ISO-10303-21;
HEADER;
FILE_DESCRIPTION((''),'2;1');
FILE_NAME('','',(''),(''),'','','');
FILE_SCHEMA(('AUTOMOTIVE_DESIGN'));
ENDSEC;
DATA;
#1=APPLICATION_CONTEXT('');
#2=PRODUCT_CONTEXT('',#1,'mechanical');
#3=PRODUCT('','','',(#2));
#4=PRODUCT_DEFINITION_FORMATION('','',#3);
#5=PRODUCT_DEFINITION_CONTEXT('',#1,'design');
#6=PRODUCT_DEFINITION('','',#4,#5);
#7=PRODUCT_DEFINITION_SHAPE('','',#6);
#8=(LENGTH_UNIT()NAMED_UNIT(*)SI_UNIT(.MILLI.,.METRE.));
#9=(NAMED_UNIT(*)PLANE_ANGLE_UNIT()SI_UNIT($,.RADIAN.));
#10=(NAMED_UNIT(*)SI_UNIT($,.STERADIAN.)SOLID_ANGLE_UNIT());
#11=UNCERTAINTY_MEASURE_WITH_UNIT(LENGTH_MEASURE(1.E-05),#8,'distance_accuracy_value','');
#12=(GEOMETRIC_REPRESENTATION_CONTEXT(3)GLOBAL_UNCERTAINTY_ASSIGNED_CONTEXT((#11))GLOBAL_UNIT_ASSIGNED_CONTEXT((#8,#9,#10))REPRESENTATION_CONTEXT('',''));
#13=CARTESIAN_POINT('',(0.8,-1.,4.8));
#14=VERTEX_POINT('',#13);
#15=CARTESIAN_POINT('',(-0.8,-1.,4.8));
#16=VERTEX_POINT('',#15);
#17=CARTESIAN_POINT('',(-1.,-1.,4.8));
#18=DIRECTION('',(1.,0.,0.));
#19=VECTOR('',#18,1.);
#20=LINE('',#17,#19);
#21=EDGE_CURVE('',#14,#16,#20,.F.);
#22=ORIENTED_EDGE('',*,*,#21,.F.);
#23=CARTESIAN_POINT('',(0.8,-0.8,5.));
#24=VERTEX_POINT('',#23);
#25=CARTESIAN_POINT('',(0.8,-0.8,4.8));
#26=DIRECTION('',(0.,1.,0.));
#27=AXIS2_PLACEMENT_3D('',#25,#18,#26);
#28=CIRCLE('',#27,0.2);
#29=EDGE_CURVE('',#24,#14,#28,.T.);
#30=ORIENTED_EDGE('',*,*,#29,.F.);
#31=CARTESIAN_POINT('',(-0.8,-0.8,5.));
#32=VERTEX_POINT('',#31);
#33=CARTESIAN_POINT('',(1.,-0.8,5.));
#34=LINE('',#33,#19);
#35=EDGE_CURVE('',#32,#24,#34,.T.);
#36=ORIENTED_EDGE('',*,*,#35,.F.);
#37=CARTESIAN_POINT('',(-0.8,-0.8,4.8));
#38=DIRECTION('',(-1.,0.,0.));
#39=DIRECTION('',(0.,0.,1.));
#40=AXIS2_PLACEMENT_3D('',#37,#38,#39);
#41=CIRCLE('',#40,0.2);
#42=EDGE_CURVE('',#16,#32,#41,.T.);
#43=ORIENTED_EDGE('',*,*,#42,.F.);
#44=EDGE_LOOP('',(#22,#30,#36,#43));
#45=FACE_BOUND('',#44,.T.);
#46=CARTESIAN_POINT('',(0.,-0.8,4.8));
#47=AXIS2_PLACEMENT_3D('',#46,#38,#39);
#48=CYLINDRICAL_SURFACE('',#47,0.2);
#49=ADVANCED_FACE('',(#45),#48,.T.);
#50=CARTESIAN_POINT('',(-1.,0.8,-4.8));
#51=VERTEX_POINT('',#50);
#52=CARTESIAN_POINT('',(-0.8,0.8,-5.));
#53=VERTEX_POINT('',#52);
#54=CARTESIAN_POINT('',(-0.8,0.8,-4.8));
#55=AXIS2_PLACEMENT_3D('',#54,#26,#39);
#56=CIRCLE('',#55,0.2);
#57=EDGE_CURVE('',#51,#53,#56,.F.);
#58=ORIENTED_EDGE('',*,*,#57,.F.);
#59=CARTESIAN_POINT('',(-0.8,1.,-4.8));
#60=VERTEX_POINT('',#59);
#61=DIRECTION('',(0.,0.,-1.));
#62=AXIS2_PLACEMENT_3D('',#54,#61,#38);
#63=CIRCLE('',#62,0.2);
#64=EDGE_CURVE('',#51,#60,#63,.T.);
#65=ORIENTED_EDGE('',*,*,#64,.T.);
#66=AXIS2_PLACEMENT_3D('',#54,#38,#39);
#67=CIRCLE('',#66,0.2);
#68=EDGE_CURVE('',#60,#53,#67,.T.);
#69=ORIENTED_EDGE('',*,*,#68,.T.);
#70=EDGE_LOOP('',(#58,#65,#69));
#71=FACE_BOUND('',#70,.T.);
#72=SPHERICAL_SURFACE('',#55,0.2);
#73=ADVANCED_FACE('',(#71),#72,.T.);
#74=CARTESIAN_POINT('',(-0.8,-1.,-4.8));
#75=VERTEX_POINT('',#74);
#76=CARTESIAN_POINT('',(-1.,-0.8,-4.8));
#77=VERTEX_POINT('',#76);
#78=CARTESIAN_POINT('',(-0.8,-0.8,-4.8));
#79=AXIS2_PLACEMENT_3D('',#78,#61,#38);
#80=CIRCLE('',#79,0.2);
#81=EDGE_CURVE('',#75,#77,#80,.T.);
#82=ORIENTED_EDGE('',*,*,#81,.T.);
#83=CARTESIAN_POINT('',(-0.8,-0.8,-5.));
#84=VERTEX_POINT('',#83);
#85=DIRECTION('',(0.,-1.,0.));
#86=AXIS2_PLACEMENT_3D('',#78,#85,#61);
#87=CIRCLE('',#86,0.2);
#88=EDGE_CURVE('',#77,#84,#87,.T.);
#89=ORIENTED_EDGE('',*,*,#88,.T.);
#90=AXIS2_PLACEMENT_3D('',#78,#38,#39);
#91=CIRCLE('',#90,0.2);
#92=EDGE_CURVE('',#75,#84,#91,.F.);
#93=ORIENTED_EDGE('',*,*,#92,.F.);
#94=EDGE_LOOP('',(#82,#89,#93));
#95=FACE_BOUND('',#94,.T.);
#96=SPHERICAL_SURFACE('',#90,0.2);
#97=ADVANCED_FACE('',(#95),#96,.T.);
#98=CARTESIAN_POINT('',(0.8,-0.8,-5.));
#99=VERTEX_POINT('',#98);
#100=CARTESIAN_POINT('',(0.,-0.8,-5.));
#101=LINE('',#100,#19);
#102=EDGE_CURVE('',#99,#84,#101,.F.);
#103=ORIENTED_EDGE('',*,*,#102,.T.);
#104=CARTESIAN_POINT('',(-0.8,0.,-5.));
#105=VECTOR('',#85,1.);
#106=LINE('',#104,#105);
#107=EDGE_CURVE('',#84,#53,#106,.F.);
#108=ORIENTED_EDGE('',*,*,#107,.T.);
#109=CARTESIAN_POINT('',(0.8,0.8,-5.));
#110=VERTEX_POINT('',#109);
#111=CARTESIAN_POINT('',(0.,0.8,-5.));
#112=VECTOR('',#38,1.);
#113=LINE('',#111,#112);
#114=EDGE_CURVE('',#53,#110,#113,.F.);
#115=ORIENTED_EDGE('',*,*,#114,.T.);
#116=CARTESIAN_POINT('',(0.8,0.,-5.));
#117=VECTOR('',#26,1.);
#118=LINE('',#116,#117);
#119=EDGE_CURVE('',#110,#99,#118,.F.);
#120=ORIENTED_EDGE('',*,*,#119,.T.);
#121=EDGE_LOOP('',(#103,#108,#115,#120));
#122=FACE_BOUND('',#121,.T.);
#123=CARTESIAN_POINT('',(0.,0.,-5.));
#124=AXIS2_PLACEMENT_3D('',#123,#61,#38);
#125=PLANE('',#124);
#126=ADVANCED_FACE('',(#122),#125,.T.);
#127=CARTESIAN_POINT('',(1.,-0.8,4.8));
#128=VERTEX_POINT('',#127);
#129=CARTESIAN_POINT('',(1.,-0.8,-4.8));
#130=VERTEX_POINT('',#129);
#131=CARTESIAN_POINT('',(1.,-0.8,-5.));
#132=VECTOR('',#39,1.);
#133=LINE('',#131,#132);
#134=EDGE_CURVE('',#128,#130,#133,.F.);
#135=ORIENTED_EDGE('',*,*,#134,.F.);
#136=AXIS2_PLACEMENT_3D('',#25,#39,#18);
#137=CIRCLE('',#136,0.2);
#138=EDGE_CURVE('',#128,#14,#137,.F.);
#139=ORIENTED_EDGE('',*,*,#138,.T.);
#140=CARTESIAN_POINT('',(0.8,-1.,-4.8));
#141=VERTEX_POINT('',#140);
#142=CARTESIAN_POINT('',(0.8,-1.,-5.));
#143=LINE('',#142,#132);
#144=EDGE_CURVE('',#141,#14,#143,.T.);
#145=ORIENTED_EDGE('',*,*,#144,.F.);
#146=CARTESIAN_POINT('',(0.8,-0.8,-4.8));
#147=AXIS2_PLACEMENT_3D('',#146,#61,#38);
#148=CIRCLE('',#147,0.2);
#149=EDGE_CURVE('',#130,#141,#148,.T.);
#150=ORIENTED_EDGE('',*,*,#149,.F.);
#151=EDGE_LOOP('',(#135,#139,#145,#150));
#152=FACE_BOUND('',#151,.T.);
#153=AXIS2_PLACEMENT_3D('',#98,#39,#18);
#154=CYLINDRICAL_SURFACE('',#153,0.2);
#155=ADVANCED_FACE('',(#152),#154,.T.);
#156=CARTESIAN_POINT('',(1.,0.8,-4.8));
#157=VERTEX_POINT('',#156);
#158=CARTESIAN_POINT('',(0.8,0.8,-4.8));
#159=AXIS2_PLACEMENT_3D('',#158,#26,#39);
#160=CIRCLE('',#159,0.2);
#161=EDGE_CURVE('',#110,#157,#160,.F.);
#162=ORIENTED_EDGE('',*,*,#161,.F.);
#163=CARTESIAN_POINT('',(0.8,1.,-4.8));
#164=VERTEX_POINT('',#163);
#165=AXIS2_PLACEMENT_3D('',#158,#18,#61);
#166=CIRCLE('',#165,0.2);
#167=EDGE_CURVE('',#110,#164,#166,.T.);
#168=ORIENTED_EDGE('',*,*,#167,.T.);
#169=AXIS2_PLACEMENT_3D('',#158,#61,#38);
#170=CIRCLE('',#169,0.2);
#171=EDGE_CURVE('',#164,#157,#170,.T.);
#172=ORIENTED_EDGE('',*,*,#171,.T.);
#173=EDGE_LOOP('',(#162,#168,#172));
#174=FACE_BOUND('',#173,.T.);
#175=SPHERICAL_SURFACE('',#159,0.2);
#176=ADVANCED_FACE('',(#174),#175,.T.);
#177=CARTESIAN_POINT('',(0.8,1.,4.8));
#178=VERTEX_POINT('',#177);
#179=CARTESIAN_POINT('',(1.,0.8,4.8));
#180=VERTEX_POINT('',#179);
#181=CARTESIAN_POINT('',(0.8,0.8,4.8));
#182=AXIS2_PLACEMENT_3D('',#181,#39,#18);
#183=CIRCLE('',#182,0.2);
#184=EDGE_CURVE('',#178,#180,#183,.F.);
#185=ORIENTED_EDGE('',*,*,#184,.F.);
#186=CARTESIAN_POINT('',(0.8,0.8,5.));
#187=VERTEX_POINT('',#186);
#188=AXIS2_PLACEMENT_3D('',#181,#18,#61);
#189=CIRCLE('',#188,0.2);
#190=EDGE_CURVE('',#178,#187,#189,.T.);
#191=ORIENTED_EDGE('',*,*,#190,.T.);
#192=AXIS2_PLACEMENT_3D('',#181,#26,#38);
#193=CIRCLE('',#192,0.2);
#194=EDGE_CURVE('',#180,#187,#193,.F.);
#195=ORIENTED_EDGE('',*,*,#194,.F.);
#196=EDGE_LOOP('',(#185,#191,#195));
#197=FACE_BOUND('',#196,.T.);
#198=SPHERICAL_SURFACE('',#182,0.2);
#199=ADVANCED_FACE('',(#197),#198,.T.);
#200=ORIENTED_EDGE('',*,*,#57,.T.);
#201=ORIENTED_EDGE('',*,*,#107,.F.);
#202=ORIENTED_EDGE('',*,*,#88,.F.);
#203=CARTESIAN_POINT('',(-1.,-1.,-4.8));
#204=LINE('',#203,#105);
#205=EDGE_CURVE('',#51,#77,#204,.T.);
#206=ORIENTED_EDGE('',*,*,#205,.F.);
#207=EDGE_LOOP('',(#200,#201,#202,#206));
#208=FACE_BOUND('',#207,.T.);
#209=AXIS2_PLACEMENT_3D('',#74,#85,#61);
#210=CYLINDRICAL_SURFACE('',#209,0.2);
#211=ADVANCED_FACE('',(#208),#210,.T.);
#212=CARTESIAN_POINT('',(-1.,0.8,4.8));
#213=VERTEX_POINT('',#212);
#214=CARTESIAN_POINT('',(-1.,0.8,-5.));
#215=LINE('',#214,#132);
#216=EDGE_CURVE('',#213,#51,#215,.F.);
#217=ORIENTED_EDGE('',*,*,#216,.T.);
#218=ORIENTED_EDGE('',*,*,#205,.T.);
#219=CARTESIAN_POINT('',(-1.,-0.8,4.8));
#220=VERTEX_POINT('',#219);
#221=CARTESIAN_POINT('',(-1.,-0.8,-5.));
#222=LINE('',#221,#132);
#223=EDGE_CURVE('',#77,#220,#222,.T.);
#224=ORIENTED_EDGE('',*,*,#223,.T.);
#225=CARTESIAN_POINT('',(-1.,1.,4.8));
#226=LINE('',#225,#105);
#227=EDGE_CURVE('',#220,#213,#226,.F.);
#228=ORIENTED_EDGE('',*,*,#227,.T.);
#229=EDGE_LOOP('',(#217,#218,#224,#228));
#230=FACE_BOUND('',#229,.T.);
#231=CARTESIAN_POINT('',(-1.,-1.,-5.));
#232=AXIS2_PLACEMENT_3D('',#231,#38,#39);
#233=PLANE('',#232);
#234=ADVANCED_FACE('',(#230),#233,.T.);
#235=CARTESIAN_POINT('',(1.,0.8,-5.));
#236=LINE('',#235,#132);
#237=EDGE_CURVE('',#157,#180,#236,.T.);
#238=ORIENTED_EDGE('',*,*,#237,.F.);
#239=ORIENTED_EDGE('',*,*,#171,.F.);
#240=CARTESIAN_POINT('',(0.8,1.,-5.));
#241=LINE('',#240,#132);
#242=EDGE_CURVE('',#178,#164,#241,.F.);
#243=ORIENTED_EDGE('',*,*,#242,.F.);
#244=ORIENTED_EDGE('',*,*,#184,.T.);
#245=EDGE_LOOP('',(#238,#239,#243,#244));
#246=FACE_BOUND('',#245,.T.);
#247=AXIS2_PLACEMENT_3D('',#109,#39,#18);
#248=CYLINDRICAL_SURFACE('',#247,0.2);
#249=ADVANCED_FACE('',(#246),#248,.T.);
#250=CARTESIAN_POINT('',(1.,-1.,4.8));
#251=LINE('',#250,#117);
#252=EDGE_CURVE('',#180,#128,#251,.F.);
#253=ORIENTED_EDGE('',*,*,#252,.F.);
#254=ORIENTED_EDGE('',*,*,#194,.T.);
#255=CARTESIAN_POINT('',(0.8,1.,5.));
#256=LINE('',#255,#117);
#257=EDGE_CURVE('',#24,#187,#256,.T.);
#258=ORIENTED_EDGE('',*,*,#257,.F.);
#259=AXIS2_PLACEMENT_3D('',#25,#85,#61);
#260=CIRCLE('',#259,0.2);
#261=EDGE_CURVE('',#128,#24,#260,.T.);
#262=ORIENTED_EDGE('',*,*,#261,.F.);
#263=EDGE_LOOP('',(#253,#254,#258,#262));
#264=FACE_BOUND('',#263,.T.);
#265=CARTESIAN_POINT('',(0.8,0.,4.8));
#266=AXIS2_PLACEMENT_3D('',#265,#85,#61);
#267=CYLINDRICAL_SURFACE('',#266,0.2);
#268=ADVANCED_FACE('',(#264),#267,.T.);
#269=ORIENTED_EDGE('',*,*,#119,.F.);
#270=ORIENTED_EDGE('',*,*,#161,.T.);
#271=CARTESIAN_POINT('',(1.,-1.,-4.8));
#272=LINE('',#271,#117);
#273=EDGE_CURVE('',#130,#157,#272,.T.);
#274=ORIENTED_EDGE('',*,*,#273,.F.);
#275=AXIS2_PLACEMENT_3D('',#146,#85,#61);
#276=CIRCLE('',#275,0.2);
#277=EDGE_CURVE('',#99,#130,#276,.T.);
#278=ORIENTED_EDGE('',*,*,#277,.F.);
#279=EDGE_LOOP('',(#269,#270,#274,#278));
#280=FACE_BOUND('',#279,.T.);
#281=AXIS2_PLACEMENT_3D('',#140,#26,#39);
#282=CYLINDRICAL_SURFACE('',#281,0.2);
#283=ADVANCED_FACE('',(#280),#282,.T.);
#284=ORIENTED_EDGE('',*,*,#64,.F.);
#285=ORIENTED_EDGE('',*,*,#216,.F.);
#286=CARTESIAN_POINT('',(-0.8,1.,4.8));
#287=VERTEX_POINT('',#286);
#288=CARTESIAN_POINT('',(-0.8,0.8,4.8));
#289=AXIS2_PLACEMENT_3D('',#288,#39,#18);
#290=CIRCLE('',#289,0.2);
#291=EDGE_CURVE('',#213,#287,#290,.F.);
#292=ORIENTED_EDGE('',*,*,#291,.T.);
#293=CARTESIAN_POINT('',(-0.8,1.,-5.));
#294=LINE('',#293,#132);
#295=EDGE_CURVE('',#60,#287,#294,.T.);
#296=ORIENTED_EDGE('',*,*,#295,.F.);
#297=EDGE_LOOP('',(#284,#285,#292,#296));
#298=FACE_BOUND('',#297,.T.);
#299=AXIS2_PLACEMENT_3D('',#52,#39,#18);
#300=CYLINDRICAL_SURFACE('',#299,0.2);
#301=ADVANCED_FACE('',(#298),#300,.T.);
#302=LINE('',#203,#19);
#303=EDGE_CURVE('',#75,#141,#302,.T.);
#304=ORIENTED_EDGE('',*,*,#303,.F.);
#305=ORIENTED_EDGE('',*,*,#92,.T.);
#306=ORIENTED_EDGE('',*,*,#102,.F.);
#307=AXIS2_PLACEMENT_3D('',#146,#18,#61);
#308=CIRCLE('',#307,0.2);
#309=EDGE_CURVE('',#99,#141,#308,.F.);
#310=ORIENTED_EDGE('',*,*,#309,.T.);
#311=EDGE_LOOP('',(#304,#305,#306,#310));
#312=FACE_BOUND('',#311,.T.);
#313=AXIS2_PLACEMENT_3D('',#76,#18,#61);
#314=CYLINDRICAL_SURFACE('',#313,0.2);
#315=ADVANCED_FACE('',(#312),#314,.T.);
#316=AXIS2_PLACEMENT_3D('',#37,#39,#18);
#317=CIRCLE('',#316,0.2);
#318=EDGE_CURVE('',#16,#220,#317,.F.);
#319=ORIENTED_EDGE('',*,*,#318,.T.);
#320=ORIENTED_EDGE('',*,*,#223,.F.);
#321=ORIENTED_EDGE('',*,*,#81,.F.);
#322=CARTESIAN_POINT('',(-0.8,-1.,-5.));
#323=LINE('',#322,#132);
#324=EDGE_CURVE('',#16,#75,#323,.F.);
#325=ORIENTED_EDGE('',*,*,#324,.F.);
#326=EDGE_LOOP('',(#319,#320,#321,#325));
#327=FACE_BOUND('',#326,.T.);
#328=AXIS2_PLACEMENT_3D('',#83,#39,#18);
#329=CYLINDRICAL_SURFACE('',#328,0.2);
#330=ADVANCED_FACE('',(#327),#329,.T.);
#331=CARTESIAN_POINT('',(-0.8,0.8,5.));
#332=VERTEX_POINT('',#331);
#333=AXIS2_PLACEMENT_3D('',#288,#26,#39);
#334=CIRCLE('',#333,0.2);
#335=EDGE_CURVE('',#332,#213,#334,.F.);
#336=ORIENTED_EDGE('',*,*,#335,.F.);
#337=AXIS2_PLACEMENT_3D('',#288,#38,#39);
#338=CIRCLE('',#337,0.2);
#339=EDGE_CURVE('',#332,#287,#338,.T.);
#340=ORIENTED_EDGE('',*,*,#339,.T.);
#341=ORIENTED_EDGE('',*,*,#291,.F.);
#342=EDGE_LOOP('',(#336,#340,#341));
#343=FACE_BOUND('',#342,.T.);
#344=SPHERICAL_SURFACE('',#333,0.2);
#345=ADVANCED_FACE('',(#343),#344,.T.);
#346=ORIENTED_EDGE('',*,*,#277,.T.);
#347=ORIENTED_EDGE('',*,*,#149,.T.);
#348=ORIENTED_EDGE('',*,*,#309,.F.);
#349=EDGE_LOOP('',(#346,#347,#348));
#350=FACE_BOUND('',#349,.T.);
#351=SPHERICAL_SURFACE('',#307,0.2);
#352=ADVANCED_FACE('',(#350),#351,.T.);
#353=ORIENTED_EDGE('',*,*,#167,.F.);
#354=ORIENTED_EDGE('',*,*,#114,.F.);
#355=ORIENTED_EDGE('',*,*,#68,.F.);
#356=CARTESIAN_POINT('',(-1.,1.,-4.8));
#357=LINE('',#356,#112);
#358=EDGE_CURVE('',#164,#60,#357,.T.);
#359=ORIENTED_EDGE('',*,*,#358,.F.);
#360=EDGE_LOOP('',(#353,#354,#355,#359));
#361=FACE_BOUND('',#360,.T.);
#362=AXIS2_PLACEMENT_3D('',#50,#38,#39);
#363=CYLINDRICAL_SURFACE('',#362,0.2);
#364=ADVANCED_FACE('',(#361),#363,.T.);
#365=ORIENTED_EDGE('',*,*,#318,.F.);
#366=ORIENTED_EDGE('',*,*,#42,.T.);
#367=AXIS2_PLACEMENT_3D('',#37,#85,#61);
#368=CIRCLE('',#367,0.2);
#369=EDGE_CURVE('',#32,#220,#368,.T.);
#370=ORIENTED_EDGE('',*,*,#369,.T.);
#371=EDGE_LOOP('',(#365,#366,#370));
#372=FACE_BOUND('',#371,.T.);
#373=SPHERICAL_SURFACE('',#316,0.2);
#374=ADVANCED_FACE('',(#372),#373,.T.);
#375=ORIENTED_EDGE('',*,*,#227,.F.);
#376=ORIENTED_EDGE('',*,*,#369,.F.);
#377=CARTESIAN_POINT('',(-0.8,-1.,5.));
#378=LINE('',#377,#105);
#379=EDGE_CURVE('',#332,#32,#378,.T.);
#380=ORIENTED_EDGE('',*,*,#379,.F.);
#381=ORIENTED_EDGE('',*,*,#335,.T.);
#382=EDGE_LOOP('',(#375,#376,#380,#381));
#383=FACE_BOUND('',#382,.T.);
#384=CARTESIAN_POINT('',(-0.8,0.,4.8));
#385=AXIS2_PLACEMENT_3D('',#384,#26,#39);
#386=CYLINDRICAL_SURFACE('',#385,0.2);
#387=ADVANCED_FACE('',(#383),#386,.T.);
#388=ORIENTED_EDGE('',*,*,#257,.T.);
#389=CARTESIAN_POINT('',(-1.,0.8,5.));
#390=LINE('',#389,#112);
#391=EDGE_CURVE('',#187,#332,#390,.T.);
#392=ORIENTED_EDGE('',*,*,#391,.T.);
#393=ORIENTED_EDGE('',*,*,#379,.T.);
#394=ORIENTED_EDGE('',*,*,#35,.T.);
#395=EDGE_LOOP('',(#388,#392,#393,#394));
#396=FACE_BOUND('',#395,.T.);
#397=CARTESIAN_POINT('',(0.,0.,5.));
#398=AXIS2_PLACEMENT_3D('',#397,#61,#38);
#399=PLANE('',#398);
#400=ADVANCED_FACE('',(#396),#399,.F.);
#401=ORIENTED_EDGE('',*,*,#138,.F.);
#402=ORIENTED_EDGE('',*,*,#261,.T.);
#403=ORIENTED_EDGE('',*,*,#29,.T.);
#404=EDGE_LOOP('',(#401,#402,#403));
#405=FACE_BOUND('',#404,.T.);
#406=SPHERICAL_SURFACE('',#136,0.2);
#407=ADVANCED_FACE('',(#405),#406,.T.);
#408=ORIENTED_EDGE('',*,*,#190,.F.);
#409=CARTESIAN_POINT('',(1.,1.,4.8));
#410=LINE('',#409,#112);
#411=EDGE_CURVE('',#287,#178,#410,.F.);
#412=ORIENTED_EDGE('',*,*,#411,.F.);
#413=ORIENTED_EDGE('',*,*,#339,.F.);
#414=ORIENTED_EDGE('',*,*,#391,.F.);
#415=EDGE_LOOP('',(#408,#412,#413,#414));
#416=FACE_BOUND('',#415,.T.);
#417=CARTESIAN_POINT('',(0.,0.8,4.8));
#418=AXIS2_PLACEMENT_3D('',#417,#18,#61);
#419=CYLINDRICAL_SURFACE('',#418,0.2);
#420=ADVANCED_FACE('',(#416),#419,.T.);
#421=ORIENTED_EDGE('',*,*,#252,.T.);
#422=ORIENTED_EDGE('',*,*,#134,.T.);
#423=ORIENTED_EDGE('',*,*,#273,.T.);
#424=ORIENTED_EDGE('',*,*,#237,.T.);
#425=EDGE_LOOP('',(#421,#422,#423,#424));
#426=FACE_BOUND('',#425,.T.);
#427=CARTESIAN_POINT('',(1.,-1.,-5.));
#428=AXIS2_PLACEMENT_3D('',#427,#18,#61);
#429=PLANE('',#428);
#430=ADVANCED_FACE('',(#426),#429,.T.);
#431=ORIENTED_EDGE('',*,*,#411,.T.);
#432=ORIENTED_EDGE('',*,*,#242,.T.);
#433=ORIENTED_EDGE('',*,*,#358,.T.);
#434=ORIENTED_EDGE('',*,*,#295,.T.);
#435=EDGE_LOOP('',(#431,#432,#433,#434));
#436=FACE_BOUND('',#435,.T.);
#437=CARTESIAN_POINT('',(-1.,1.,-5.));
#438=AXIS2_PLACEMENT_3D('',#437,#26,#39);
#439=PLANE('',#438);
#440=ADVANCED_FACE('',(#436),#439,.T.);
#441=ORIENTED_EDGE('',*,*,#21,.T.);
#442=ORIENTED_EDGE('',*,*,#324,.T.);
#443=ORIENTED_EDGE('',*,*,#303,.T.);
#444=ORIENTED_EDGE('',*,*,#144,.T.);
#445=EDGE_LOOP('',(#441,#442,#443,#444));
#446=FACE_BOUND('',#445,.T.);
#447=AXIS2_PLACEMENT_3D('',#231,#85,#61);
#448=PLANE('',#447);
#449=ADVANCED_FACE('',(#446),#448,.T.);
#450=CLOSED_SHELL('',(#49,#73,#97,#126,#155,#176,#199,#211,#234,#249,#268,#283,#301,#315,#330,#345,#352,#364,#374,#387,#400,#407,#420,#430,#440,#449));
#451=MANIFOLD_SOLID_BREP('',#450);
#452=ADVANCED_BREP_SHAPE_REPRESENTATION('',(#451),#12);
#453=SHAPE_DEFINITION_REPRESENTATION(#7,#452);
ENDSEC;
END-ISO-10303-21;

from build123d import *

# Parameters (mm, degrees)
BOSS_EXTRUDE1_DEPTH      = 5
BOSS_EXTRUDE1_DEPTH_BACK = 5
SKETCH1_W                = 2
SKETCH1_H                = 2
FILLET1_R                = 0.2


with BuildPart() as part:
    # Sketch1 → Boss-Extrude1 (new, two sides: drawn at the far end of the back side and taken through both)
    with BuildSketch(Plane.XY.offset(-BOSS_EXTRUDE1_DEPTH_BACK)):
        Rectangle(SKETCH1_W, SKETCH1_H)
    extrude(amount=BOSS_EXTRUDE1_DEPTH + BOSS_EXTRUDE1_DEPTH_BACK)

    # Fillet1
    fillet1_edges = [part.edges().sort_by_distance(p)[0] for p in [
        (1, 0, 5),
        (-1, 0, -5),
        (0, 1, 5),
        (-1, 0, 5),
        (0, -1, 5),
        (0, -1, -5),
        (1, 0, -5),
        (1, -1, 0),
        (-1, -1, 0),
        (-1, 1, 0),
        (1, 1, 0),
        (0, 1, -5),
    ]]
    fillet(fillet1_edges, radius=FILLET1_R)


solid = part.part
